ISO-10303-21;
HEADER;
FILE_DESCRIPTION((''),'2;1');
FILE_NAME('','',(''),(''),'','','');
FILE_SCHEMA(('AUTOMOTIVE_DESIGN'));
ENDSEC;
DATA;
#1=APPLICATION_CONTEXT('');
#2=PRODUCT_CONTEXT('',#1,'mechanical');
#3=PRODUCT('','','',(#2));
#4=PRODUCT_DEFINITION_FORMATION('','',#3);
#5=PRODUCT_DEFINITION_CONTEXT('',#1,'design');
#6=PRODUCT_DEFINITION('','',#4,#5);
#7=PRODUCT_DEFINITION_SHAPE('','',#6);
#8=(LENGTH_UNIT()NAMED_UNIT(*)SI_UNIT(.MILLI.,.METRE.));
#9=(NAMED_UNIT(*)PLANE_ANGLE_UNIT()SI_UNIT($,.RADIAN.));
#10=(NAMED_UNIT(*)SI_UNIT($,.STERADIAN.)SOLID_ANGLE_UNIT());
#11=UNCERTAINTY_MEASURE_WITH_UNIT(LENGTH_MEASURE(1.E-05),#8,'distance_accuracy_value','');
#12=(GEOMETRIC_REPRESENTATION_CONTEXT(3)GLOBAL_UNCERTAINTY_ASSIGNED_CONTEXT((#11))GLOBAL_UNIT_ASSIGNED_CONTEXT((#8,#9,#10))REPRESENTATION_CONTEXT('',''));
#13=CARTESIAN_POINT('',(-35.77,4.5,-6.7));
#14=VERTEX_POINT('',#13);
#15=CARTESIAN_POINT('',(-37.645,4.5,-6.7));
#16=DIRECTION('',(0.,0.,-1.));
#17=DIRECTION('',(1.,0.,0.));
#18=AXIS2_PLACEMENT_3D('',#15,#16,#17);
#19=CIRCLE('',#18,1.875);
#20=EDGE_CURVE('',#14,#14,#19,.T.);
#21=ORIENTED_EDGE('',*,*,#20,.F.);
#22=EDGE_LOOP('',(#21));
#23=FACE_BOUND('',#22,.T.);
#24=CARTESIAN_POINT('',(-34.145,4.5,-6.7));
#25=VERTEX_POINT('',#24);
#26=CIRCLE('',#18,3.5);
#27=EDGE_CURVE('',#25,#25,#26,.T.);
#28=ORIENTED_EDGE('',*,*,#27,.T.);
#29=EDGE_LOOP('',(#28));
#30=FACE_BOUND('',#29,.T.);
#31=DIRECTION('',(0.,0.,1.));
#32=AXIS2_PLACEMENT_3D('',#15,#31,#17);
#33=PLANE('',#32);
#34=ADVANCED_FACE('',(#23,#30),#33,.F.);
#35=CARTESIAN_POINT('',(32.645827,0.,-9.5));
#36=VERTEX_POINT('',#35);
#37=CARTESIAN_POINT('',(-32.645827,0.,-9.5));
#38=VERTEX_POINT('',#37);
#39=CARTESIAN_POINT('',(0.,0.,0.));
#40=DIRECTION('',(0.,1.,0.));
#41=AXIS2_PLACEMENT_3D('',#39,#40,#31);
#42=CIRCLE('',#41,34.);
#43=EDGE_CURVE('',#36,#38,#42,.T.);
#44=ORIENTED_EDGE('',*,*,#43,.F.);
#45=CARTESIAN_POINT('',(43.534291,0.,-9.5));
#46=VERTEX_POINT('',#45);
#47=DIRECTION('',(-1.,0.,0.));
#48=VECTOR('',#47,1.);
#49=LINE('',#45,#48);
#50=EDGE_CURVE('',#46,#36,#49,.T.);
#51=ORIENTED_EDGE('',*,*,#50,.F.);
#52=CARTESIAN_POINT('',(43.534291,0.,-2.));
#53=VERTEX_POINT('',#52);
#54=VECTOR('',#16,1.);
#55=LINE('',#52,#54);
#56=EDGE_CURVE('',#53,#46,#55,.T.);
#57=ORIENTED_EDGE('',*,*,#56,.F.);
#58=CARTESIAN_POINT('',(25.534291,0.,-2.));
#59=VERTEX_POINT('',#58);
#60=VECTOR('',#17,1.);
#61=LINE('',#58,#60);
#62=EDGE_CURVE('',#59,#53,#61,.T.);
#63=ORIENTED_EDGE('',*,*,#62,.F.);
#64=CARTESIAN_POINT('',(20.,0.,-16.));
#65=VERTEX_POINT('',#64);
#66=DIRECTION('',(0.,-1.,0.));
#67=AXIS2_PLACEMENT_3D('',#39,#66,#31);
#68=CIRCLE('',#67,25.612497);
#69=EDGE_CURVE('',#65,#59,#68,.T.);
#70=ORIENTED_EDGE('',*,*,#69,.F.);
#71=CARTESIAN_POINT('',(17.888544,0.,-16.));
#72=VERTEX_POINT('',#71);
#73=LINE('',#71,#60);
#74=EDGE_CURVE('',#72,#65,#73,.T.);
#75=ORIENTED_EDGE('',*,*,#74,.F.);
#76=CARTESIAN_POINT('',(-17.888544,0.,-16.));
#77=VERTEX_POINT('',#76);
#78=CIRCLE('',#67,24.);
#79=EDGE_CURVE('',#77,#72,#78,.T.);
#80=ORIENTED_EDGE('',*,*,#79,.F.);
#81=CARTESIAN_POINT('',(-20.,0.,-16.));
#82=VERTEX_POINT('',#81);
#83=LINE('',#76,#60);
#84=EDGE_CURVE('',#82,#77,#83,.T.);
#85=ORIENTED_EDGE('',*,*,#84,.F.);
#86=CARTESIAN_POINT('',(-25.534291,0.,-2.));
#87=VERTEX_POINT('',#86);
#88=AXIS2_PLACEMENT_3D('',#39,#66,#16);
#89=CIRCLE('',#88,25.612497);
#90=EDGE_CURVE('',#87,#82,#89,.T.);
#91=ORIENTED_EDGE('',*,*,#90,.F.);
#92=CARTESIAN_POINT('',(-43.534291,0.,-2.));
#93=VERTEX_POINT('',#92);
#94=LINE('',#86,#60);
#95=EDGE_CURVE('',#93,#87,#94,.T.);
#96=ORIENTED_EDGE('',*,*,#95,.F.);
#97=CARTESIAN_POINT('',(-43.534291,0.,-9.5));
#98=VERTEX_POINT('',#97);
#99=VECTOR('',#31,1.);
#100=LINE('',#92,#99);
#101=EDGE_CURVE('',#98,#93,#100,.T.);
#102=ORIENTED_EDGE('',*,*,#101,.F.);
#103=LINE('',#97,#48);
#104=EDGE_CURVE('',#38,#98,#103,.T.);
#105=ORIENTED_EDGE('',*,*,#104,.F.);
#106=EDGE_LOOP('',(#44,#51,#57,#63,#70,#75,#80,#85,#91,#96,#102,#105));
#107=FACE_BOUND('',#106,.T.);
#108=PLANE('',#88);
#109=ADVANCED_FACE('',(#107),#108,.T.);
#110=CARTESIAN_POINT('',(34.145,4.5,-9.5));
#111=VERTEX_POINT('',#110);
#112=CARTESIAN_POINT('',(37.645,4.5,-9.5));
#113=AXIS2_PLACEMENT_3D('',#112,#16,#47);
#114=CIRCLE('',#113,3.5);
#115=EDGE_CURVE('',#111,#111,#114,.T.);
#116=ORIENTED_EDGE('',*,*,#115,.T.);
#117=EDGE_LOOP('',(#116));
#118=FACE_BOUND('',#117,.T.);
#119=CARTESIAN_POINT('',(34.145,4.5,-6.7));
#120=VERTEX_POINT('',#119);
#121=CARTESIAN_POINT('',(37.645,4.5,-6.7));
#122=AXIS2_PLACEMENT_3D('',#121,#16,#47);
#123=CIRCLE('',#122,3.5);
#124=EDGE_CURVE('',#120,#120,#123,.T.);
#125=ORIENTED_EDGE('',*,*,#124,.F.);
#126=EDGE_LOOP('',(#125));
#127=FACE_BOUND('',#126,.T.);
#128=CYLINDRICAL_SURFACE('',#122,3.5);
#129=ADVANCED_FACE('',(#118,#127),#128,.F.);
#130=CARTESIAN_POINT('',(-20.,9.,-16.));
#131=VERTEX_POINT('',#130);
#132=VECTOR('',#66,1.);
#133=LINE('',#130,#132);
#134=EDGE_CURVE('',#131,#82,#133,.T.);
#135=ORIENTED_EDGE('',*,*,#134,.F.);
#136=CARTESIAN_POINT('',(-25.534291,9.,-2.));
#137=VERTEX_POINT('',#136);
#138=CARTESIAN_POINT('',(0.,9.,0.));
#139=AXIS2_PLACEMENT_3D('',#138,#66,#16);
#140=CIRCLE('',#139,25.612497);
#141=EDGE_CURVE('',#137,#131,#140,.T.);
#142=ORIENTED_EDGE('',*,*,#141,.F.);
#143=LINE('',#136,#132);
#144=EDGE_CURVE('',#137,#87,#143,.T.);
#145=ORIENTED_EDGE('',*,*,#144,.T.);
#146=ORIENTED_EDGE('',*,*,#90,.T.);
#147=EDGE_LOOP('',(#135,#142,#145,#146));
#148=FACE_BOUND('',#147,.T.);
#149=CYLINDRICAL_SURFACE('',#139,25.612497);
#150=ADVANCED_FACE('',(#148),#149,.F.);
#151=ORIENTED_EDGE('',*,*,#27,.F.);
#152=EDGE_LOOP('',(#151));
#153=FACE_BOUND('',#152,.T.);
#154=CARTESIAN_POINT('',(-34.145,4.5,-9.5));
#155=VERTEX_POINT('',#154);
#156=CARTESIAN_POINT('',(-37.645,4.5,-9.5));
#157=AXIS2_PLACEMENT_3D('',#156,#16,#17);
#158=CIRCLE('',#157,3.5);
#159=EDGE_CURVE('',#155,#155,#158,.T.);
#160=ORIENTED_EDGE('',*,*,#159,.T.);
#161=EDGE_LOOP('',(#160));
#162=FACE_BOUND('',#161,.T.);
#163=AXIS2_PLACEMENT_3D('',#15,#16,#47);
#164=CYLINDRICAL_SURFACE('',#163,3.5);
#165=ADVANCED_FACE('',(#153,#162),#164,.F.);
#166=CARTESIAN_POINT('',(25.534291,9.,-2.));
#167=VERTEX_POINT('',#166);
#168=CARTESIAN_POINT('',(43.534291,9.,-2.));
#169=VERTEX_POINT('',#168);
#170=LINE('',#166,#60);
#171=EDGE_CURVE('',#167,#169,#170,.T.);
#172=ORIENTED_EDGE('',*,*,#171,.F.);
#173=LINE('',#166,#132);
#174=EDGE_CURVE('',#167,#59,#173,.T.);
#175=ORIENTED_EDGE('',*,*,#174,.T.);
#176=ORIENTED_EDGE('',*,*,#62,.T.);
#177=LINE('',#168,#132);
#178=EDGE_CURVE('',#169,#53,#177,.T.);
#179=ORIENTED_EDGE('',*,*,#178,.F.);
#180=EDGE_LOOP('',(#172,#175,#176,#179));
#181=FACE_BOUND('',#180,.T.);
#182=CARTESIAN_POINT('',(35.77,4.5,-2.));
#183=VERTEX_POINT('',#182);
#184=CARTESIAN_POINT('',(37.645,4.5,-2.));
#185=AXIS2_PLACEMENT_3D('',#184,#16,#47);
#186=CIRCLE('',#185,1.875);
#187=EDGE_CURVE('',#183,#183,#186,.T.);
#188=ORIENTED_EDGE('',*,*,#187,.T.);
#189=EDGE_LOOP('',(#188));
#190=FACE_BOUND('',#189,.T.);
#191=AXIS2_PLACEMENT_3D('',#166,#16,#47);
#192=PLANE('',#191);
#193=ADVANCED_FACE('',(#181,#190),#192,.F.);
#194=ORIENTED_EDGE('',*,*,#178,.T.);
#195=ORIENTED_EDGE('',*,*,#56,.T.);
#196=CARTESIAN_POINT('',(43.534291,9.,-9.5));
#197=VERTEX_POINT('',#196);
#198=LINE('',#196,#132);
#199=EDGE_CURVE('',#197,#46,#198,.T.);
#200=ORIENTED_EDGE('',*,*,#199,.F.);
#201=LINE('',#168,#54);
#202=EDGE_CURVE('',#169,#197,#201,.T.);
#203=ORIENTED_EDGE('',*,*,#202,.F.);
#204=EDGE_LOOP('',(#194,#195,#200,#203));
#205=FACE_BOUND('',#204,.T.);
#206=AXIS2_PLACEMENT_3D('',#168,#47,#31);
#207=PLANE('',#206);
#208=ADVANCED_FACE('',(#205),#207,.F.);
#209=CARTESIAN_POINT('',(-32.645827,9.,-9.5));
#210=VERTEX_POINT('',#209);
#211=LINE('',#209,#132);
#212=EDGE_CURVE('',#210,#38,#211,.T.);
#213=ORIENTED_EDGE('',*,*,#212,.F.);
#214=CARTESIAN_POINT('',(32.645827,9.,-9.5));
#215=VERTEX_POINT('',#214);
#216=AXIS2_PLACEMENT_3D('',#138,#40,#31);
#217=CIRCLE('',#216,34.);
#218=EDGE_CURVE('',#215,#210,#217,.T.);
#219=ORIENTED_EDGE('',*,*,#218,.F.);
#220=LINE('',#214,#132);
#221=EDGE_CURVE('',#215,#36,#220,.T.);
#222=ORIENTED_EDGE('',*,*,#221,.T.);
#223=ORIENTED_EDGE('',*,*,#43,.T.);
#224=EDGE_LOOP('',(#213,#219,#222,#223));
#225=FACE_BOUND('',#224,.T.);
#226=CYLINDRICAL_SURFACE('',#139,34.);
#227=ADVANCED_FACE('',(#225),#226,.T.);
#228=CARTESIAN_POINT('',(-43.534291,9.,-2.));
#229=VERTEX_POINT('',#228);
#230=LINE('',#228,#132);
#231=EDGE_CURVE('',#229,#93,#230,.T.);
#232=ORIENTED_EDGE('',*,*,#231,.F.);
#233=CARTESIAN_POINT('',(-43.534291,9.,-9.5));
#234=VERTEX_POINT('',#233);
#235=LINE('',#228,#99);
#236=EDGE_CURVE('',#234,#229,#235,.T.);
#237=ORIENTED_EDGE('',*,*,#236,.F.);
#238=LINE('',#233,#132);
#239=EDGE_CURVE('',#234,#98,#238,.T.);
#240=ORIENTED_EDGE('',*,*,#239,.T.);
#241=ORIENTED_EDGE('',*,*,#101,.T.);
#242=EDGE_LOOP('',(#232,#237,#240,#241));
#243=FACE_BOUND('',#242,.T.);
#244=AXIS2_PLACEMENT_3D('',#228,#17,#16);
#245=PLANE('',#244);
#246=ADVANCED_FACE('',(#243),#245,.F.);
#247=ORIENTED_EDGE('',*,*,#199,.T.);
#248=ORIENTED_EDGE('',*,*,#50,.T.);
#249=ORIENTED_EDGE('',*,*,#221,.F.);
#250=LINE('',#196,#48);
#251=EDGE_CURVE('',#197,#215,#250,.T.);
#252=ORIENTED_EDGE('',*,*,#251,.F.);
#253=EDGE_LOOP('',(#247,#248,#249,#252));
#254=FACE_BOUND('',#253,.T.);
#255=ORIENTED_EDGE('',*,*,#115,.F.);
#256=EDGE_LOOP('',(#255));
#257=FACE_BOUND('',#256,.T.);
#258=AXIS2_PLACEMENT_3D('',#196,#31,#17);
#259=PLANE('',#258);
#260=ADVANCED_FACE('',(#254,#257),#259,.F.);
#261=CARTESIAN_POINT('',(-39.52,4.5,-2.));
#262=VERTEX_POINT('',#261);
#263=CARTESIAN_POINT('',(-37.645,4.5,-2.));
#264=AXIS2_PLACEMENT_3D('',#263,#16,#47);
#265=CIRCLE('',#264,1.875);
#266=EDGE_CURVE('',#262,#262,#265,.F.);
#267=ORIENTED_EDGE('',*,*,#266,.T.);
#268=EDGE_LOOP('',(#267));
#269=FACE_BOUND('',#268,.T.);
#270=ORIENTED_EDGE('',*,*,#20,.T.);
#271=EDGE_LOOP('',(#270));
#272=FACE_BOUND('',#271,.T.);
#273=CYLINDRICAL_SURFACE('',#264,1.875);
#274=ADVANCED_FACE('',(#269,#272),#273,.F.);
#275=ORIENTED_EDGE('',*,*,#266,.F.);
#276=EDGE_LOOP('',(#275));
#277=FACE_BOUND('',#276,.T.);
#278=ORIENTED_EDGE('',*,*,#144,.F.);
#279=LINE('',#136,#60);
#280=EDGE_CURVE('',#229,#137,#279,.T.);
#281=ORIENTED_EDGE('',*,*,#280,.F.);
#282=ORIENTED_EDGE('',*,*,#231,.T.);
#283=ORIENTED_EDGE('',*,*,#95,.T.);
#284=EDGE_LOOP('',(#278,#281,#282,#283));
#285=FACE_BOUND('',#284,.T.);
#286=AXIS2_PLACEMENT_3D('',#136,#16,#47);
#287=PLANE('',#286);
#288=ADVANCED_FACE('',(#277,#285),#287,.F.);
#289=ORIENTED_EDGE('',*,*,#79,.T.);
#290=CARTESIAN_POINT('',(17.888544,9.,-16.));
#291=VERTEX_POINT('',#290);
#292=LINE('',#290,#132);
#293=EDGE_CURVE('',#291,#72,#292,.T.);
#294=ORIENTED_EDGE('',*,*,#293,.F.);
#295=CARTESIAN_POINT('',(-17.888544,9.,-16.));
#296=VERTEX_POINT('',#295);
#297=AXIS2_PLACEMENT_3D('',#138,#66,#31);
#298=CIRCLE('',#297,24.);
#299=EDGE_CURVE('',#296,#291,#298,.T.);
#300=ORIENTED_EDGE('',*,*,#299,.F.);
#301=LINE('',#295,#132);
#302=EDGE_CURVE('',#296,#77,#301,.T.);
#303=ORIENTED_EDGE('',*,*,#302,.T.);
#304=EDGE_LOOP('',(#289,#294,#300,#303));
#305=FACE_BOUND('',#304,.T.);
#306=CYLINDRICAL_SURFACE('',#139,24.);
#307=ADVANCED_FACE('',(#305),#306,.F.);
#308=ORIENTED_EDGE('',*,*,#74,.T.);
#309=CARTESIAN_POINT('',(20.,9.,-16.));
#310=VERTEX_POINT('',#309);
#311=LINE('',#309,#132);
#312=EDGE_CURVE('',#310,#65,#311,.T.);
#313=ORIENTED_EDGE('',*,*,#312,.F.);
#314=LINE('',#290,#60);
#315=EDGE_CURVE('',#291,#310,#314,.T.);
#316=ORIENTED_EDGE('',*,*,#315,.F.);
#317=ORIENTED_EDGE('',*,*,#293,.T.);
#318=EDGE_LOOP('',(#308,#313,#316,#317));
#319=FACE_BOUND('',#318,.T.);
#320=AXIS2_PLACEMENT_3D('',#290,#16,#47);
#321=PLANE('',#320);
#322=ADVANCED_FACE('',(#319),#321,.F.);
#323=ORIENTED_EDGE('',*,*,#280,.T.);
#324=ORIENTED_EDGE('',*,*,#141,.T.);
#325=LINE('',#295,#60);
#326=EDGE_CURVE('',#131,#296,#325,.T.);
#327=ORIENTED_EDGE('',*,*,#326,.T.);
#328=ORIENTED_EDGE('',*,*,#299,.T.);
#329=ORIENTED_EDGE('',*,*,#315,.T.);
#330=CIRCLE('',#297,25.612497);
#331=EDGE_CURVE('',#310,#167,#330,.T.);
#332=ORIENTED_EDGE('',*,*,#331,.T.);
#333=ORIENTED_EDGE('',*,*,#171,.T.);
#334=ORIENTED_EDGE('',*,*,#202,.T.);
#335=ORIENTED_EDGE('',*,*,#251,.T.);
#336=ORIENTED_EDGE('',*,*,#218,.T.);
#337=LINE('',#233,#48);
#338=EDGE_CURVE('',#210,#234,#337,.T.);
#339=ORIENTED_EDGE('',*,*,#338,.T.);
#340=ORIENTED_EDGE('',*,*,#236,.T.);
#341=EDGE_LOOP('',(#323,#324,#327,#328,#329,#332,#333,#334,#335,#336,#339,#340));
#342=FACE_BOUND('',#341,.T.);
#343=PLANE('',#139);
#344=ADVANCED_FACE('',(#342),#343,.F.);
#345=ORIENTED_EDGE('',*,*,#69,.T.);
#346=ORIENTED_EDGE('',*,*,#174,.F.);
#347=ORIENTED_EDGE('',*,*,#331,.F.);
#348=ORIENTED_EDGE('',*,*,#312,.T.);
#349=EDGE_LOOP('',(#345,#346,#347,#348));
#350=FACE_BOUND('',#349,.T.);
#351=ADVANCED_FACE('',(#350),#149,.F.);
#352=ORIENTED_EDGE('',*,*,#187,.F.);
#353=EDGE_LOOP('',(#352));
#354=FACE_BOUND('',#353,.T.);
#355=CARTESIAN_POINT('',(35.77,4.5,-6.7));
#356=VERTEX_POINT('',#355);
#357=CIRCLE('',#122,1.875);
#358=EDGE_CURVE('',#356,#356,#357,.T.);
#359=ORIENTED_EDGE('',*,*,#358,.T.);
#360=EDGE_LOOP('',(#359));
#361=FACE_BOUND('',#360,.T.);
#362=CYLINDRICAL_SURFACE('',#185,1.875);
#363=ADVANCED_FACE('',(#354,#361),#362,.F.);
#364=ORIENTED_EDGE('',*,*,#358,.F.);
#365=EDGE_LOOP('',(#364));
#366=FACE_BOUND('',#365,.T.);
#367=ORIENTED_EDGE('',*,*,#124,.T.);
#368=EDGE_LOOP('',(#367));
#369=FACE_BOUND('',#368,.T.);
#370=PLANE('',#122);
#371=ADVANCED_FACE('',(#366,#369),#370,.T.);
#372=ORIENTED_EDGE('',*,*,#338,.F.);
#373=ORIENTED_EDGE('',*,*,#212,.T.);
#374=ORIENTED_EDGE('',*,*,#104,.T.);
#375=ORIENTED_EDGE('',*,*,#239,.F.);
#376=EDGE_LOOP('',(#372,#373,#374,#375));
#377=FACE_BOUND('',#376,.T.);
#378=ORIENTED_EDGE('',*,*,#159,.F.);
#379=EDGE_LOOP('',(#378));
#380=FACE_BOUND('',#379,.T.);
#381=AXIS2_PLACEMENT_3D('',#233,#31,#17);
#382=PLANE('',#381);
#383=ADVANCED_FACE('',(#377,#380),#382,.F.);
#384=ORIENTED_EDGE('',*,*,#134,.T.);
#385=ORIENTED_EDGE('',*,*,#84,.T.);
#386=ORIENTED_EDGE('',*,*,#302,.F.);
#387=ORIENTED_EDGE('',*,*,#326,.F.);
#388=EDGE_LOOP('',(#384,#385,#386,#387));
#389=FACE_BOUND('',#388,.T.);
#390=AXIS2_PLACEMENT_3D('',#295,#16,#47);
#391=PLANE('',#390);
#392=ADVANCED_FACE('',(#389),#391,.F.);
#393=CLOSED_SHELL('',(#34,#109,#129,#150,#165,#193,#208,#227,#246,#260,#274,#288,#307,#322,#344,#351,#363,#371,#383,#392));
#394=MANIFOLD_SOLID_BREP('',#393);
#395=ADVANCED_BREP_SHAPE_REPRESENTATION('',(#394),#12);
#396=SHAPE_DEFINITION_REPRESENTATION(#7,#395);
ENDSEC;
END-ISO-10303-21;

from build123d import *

# Parameters (mm, degrees)
SALIENTE_EXTRUIR1_DEPTH = 9
CROQUIS2_R              = 1.875
CORTAR_EXTRUIR1_DEPTH   = 51.759082577
CROQUIS2_3_R            = 3.5
CROQUIS2_3_R_2          = 1.875
CORTAR_EXTRUIR2_DEPTH   = 2.8


with BuildPart() as part:
    # Croquis1 → Saliente-Extruir1 (new body)
    with BuildSketch(Plane(origin=(0, 0, 0), x_dir=(1, 0, 0), z_dir=(0, 1, 0))):
        with BuildLine():
            Line((17.88854382, 16), (20, 16))
            ThreePointArc((20, 16), (23.818961075, 9.415789574), (25.53429067, 2))
            Line((25.53429067, 2), (43.53429067, 2))
            Line((43.53429067, 2), (43.53429067, 9.5))
            Line((43.53429067, 9.5), (32.645826686, 9.5))
            ThreePointArc((32.645826686, 9.5), (0, 34), (-32.645826686, 9.5))
            Line((-32.645826686, 9.5), (-43.53429067, 9.5))
            Line((-43.53429067, 9.5), (-43.53429067, 2))
            Line((-43.53429067, 2), (-25.53429067, 2))
            ThreePointArc((-25.53429067, 2), (-23.818961075, 9.415789574), (-20, 16))
            Line((-20, 16), (-17.88854382, 16))
            ThreePointArc((-17.88854382, 16), (0, 24), (17.88854382, 16))
        make_face()
    extrude(amount=SALIENTE_EXTRUIR1_DEPTH)

    # Croquis2 → Cortar-Extruir1 (cut, through all)
    with BuildSketch(Plane(origin=(0, 0, -9.5), x_dir=(-1, 0, 0), z_dir=(0, 0, -1))):
        with Locations((-37.645, 4.5)):
            Circle(CROQUIS2_R)
        with Locations((37.645, 4.5)):
            Circle(CROQUIS2_R)
    extrude(amount=-CORTAR_EXTRUIR1_DEPTH, mode=Mode.SUBTRACT)

    # Croquis2<3> → Cortar-Extruir2 (cut)
    # profile 1 of 2: a face of its own
    with BuildSketch(Plane(origin=(0, 0, -9.5), x_dir=(-1, 0, 0), z_dir=(0, 0, -1))):
        with Locations((-37.645, 4.5)):
            Circle(CROQUIS2_3_R)
        with Locations((-37.645, 4.5)):
            Circle(CROQUIS2_3_R_2, mode=Mode.SUBTRACT)
    # profile 2 of 2: a face of its own
    with BuildSketch(Plane(origin=(0, 0, -9.5), x_dir=(-1, 0, 0), z_dir=(0, 0, -1))):
        with Locations((37.645, 4.5)):
            Circle(CROQUIS2_3_R)
        with Locations((37.645, 4.5)):
            Circle(CROQUIS2_3_R_2, mode=Mode.SUBTRACT)
    extrude(amount=-CORTAR_EXTRUIR2_DEPTH, mode=Mode.SUBTRACT)


solid = part.part
